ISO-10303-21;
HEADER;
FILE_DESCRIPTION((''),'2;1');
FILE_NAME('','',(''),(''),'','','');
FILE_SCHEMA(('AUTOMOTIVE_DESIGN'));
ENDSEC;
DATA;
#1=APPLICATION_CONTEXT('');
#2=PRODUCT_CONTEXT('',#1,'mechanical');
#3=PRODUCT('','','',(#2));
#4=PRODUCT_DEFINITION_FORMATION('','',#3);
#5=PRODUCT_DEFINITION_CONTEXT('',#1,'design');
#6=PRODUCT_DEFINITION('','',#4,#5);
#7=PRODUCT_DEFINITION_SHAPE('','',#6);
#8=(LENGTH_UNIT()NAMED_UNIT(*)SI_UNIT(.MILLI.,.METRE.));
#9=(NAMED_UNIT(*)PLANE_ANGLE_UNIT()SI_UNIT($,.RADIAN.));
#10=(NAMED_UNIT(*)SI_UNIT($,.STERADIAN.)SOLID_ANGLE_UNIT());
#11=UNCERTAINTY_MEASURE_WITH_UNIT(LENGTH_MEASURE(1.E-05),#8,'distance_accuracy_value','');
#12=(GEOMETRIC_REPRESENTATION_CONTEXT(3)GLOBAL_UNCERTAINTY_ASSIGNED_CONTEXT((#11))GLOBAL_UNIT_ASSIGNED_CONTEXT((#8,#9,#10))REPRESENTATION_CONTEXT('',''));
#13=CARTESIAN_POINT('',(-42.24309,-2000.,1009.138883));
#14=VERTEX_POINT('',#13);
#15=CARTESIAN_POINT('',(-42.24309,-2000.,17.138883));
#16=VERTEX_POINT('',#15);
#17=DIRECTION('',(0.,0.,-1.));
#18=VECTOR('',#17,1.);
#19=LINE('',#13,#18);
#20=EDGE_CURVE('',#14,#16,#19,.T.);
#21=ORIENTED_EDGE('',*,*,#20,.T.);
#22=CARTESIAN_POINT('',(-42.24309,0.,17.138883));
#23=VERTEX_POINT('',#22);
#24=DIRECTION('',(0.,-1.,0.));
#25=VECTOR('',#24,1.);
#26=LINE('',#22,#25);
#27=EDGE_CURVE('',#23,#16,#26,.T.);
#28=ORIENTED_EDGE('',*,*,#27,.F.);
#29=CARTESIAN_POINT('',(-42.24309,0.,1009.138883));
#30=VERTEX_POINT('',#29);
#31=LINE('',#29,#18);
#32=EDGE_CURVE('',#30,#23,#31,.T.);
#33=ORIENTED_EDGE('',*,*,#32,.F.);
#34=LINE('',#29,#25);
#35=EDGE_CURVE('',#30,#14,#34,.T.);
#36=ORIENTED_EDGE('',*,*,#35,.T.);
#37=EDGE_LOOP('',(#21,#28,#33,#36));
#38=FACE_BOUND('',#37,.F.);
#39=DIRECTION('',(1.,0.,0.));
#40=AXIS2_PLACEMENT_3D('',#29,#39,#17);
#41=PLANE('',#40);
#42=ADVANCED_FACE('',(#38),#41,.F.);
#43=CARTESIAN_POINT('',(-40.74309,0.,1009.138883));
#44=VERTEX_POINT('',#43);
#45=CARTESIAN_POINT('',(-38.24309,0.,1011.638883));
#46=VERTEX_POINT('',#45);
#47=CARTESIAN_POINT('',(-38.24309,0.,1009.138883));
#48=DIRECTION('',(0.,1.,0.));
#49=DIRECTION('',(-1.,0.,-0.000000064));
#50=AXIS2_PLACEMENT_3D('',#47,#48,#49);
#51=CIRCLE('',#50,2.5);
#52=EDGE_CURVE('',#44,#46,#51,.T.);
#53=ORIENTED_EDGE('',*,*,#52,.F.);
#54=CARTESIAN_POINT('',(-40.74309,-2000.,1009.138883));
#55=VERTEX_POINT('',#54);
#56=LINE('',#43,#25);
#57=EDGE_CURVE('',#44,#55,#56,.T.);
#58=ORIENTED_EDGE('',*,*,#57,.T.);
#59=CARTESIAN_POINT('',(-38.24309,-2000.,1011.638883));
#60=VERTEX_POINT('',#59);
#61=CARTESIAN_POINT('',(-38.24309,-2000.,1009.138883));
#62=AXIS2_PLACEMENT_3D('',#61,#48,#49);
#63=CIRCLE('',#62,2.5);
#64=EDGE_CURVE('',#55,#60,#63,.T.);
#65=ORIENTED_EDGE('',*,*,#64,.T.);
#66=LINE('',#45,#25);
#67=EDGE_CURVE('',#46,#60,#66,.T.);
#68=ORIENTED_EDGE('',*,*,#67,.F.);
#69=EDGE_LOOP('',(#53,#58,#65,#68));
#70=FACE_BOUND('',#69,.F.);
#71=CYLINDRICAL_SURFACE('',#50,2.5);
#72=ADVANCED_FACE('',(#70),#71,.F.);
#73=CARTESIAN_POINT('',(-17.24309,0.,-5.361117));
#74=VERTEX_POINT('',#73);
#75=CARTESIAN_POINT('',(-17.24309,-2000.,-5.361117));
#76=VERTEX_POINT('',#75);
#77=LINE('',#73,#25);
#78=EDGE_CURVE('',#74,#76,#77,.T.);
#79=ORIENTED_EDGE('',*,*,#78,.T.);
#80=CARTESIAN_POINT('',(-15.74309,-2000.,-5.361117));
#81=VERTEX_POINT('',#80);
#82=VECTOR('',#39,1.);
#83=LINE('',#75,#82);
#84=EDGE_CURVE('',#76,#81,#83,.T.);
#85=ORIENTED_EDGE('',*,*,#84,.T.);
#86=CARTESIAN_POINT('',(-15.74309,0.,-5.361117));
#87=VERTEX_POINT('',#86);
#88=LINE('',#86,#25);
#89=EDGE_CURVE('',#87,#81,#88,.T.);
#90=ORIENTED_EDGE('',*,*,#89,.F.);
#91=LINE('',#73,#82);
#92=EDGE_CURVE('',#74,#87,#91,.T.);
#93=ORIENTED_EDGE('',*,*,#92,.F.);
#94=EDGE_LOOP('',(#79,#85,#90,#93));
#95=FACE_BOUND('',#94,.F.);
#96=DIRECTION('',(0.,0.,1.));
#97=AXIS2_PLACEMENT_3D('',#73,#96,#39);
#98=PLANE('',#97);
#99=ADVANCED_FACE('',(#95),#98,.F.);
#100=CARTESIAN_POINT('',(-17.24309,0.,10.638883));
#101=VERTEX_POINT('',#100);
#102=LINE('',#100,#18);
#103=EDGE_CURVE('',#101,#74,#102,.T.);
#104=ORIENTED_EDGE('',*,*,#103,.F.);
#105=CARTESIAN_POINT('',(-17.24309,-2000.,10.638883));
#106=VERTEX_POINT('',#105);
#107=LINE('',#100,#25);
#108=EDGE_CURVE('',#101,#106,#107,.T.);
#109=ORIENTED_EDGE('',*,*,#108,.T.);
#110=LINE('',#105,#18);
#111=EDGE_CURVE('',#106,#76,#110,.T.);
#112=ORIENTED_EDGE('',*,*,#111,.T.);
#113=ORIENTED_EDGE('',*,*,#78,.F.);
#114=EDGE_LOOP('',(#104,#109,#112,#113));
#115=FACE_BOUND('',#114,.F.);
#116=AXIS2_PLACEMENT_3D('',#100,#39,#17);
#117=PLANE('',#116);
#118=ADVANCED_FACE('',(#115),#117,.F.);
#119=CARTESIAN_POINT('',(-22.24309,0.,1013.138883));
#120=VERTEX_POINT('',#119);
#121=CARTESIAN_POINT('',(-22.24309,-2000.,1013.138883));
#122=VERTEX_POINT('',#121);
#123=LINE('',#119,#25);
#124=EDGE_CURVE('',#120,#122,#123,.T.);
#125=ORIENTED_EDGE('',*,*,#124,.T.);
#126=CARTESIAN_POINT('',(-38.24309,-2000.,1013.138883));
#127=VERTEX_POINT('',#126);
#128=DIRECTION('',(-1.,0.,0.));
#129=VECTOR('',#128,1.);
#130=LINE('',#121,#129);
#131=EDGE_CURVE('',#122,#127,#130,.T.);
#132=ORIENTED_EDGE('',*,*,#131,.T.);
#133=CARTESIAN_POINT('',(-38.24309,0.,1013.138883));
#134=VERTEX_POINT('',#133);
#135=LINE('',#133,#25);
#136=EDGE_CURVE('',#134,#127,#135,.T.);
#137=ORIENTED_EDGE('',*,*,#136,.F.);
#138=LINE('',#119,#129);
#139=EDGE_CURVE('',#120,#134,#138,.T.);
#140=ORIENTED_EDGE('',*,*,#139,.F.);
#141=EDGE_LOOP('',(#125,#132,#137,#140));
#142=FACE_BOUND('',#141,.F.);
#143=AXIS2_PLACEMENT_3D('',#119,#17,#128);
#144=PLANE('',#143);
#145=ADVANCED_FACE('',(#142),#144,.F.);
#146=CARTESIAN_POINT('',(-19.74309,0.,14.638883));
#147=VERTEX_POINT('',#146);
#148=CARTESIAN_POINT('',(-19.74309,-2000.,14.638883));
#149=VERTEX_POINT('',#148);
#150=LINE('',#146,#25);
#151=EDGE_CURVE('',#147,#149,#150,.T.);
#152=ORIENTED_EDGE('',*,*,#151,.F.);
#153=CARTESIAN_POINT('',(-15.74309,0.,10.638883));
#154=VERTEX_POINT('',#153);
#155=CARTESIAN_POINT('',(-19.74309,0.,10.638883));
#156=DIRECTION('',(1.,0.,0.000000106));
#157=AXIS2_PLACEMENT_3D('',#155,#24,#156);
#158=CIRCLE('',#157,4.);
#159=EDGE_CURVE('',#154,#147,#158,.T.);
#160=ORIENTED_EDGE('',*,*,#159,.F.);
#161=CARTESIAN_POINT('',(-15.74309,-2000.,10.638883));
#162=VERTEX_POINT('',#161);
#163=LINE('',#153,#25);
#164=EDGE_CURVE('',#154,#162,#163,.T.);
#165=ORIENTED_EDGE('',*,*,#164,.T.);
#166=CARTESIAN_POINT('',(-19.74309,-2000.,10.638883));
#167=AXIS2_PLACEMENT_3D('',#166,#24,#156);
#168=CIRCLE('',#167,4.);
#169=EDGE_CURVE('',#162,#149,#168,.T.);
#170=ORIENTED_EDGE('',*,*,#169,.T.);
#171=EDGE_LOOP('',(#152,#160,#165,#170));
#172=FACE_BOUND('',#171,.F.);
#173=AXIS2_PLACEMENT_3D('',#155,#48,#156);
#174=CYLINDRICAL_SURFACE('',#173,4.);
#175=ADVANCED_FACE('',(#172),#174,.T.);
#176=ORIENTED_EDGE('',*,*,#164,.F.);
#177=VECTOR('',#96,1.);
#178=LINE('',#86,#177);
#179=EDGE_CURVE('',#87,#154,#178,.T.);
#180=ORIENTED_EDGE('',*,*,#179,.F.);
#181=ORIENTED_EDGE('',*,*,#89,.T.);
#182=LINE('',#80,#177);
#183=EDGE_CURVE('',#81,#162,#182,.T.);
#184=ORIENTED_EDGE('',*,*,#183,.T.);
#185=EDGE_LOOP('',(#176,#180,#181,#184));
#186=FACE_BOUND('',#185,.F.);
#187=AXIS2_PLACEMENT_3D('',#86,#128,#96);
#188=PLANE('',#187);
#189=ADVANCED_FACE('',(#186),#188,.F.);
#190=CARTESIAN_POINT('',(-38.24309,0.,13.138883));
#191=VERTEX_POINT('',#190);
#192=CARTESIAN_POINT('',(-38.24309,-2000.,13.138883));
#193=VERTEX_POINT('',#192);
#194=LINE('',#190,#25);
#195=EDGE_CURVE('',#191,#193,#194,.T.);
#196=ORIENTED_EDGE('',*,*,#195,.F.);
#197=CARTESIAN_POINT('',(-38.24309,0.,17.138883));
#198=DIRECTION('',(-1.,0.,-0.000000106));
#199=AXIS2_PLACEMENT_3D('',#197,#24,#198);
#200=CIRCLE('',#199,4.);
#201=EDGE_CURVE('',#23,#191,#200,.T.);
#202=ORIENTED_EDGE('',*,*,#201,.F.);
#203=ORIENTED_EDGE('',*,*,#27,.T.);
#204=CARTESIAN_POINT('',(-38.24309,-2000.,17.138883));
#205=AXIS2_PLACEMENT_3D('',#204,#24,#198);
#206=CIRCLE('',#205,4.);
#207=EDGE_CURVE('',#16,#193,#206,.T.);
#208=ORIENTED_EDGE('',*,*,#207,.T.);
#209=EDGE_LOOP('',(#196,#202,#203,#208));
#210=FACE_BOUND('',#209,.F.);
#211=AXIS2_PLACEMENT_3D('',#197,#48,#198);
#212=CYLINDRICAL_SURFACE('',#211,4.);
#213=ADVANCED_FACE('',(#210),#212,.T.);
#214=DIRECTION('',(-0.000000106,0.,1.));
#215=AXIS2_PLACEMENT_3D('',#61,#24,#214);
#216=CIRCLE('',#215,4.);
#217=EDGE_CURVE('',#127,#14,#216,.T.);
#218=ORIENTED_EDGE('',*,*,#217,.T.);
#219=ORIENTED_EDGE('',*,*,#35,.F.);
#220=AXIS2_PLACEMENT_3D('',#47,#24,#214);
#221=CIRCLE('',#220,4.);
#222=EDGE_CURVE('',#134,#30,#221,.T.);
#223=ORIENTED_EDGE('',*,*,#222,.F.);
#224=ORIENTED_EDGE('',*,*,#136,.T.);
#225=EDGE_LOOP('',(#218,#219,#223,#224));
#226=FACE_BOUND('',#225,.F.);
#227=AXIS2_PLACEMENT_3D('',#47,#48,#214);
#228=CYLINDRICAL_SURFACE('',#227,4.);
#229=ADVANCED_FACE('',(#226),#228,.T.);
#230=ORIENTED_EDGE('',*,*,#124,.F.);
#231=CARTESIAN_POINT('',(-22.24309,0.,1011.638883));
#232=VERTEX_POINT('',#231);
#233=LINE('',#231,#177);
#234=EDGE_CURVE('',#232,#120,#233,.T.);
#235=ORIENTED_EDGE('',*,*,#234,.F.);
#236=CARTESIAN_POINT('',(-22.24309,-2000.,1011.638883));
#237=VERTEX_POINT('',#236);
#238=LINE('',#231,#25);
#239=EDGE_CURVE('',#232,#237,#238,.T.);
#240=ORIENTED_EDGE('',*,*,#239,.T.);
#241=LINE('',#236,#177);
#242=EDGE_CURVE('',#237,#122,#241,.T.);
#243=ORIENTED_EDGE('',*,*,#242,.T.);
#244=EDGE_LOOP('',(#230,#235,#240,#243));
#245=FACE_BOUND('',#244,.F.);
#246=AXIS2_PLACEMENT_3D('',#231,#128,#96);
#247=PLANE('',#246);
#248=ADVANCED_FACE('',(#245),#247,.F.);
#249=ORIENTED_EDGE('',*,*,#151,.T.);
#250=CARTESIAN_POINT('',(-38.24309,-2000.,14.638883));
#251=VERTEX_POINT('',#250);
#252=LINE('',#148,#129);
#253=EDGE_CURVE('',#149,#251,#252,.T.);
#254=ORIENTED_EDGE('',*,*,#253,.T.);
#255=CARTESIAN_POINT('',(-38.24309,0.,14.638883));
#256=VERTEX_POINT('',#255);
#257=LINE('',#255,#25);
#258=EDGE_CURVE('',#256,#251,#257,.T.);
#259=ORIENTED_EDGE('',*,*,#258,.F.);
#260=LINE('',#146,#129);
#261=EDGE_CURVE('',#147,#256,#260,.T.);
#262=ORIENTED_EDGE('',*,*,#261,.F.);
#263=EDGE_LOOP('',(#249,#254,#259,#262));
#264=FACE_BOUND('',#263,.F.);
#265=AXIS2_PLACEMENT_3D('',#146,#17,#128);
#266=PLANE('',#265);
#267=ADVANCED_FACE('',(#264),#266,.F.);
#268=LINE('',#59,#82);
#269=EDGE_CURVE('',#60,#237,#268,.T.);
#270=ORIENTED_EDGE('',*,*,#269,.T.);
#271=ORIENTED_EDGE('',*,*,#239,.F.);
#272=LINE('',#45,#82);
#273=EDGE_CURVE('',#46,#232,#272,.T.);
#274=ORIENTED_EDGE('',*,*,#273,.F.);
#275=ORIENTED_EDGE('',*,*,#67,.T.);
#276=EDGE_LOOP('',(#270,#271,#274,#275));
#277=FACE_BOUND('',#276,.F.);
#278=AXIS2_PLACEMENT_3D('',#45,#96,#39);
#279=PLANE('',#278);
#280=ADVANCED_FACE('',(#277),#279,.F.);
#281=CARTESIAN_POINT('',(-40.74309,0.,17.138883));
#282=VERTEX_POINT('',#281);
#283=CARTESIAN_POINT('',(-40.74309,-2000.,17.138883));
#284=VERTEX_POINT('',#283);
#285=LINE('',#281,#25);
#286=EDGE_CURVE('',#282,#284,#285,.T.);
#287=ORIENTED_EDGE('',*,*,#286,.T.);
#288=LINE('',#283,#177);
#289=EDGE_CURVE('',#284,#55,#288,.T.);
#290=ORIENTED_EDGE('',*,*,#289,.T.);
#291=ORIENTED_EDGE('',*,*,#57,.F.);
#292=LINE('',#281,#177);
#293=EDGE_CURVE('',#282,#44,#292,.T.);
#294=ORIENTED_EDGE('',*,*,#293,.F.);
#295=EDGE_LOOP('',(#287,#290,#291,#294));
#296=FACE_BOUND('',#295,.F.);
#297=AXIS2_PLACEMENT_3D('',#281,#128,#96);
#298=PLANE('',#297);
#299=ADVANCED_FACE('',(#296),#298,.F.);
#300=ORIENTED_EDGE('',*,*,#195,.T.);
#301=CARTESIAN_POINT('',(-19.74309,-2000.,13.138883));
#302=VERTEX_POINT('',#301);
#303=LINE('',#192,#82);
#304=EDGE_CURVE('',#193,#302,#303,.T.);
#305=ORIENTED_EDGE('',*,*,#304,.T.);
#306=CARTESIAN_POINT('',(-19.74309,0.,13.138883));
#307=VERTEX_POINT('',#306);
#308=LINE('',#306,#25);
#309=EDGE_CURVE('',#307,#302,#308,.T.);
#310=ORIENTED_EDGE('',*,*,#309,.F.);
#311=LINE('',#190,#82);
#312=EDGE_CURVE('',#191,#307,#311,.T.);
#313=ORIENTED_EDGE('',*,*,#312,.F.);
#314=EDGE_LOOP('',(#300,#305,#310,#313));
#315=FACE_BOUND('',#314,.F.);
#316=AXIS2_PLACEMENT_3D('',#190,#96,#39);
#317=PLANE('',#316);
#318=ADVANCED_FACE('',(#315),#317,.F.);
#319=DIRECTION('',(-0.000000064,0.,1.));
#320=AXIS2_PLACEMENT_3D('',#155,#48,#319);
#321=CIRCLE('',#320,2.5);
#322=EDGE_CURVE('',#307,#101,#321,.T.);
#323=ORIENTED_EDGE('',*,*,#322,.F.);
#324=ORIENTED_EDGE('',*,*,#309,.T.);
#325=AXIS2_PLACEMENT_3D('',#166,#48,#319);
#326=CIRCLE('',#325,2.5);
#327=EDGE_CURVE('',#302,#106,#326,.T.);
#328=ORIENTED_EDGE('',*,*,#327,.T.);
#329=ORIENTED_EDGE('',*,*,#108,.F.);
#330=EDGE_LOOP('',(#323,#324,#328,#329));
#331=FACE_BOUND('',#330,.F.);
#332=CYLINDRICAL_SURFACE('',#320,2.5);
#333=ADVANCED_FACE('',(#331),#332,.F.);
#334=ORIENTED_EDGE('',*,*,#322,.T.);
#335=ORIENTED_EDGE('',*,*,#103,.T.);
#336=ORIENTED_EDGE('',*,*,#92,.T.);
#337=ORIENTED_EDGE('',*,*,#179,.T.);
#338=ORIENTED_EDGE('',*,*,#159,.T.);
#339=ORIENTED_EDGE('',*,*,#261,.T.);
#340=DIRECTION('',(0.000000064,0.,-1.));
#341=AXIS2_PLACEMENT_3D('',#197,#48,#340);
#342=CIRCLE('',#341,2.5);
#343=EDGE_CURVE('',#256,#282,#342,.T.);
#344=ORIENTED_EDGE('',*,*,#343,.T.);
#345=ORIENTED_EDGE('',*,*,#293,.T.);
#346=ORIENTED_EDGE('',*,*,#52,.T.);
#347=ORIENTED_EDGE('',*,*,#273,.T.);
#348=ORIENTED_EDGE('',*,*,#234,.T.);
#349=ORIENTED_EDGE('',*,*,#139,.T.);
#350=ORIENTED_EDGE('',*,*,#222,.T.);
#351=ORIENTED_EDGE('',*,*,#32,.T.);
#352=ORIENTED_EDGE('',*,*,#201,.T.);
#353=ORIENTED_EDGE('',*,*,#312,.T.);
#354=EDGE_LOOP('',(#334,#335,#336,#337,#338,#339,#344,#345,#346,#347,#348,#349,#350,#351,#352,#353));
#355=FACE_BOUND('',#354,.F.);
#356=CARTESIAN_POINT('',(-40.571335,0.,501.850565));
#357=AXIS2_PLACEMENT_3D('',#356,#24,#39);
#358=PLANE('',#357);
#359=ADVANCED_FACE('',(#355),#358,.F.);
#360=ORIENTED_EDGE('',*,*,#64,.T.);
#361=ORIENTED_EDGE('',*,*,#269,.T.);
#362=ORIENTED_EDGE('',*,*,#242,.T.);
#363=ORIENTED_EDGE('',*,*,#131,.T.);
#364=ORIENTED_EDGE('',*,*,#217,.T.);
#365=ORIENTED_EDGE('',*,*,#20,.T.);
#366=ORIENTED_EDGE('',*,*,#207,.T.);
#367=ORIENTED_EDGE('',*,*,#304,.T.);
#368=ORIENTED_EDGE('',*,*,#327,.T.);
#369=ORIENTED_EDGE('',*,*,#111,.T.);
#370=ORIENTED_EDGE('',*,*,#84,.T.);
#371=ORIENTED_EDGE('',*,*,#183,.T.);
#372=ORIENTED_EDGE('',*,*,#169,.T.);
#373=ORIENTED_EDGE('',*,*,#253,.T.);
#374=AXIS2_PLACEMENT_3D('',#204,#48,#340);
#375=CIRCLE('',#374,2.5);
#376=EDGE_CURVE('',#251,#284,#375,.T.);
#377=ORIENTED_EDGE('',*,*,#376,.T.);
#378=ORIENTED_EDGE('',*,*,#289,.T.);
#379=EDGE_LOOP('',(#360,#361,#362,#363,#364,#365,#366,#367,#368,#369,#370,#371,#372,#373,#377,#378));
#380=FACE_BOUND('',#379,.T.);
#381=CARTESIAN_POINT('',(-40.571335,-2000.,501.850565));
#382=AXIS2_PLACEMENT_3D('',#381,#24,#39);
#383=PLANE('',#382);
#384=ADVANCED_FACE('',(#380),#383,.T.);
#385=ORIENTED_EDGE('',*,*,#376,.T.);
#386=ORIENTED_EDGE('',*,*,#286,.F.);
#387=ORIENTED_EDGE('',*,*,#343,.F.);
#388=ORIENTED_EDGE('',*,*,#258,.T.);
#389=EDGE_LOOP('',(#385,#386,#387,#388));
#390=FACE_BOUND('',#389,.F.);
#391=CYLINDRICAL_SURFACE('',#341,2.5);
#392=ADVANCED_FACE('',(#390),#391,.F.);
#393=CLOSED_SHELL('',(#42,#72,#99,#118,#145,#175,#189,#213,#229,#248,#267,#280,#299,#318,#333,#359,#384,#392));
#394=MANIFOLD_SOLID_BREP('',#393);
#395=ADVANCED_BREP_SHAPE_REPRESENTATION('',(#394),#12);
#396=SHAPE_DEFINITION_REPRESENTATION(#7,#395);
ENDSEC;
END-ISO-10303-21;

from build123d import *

# Parameters (mm, degrees)
F1_DEPTH = 2000


with BuildPart() as f1:
    # F0 (on Front) → F1 (new body)
    with BuildSketch(Plane.XZ):
        with BuildLine():
            Line((-17.24309, -5.361117), (-15.74309, -5.361117))
            Line((-15.74309, -5.361117), (-15.74309, 10.638883))
            ThreePointArc((-15.74309, 10.638883), (-16.914663, 13.46731), (-19.74309, 14.638883))
            Line((-19.74309, 14.638883), (-38.24309, 14.638883))
            ThreePointArc((-38.24309, 14.638883), (-40.010857, 15.371116), (-40.74309, 17.138883))
            Line((-40.74309, 17.138883), (-40.74309, 1009.138883))
            ThreePointArc((-40.74309, 1009.138883), (-40.010857, 1010.90665), (-38.24309, 1011.638883))
            Line((-38.24309, 1011.638883), (-22.24309, 1011.638883))
            Line((-22.24309, 1011.638883), (-22.24309, 1013.138883))
            Line((-22.24309, 1013.138883), (-38.24309, 1013.138883))
            ThreePointArc((-38.24309, 1013.138883), (-41.071517, 1011.96731), (-42.24309, 1009.138883))
            Line((-42.24309, 1009.138883), (-42.24309, 17.138883))
            ThreePointArc((-42.24309, 17.138883), (-41.071517, 14.310456), (-38.24309, 13.138883))
            Line((-38.24309, 13.138883), (-19.74309, 13.138883))
            ThreePointArc((-19.74309, 13.138883), (-17.975323, 12.40665), (-17.24309, 10.638883))
            Line((-17.24309, 10.638883), (-17.24309, -5.361117))
        make_face()
    extrude(amount=F1_DEPTH)


solid = f1.part
